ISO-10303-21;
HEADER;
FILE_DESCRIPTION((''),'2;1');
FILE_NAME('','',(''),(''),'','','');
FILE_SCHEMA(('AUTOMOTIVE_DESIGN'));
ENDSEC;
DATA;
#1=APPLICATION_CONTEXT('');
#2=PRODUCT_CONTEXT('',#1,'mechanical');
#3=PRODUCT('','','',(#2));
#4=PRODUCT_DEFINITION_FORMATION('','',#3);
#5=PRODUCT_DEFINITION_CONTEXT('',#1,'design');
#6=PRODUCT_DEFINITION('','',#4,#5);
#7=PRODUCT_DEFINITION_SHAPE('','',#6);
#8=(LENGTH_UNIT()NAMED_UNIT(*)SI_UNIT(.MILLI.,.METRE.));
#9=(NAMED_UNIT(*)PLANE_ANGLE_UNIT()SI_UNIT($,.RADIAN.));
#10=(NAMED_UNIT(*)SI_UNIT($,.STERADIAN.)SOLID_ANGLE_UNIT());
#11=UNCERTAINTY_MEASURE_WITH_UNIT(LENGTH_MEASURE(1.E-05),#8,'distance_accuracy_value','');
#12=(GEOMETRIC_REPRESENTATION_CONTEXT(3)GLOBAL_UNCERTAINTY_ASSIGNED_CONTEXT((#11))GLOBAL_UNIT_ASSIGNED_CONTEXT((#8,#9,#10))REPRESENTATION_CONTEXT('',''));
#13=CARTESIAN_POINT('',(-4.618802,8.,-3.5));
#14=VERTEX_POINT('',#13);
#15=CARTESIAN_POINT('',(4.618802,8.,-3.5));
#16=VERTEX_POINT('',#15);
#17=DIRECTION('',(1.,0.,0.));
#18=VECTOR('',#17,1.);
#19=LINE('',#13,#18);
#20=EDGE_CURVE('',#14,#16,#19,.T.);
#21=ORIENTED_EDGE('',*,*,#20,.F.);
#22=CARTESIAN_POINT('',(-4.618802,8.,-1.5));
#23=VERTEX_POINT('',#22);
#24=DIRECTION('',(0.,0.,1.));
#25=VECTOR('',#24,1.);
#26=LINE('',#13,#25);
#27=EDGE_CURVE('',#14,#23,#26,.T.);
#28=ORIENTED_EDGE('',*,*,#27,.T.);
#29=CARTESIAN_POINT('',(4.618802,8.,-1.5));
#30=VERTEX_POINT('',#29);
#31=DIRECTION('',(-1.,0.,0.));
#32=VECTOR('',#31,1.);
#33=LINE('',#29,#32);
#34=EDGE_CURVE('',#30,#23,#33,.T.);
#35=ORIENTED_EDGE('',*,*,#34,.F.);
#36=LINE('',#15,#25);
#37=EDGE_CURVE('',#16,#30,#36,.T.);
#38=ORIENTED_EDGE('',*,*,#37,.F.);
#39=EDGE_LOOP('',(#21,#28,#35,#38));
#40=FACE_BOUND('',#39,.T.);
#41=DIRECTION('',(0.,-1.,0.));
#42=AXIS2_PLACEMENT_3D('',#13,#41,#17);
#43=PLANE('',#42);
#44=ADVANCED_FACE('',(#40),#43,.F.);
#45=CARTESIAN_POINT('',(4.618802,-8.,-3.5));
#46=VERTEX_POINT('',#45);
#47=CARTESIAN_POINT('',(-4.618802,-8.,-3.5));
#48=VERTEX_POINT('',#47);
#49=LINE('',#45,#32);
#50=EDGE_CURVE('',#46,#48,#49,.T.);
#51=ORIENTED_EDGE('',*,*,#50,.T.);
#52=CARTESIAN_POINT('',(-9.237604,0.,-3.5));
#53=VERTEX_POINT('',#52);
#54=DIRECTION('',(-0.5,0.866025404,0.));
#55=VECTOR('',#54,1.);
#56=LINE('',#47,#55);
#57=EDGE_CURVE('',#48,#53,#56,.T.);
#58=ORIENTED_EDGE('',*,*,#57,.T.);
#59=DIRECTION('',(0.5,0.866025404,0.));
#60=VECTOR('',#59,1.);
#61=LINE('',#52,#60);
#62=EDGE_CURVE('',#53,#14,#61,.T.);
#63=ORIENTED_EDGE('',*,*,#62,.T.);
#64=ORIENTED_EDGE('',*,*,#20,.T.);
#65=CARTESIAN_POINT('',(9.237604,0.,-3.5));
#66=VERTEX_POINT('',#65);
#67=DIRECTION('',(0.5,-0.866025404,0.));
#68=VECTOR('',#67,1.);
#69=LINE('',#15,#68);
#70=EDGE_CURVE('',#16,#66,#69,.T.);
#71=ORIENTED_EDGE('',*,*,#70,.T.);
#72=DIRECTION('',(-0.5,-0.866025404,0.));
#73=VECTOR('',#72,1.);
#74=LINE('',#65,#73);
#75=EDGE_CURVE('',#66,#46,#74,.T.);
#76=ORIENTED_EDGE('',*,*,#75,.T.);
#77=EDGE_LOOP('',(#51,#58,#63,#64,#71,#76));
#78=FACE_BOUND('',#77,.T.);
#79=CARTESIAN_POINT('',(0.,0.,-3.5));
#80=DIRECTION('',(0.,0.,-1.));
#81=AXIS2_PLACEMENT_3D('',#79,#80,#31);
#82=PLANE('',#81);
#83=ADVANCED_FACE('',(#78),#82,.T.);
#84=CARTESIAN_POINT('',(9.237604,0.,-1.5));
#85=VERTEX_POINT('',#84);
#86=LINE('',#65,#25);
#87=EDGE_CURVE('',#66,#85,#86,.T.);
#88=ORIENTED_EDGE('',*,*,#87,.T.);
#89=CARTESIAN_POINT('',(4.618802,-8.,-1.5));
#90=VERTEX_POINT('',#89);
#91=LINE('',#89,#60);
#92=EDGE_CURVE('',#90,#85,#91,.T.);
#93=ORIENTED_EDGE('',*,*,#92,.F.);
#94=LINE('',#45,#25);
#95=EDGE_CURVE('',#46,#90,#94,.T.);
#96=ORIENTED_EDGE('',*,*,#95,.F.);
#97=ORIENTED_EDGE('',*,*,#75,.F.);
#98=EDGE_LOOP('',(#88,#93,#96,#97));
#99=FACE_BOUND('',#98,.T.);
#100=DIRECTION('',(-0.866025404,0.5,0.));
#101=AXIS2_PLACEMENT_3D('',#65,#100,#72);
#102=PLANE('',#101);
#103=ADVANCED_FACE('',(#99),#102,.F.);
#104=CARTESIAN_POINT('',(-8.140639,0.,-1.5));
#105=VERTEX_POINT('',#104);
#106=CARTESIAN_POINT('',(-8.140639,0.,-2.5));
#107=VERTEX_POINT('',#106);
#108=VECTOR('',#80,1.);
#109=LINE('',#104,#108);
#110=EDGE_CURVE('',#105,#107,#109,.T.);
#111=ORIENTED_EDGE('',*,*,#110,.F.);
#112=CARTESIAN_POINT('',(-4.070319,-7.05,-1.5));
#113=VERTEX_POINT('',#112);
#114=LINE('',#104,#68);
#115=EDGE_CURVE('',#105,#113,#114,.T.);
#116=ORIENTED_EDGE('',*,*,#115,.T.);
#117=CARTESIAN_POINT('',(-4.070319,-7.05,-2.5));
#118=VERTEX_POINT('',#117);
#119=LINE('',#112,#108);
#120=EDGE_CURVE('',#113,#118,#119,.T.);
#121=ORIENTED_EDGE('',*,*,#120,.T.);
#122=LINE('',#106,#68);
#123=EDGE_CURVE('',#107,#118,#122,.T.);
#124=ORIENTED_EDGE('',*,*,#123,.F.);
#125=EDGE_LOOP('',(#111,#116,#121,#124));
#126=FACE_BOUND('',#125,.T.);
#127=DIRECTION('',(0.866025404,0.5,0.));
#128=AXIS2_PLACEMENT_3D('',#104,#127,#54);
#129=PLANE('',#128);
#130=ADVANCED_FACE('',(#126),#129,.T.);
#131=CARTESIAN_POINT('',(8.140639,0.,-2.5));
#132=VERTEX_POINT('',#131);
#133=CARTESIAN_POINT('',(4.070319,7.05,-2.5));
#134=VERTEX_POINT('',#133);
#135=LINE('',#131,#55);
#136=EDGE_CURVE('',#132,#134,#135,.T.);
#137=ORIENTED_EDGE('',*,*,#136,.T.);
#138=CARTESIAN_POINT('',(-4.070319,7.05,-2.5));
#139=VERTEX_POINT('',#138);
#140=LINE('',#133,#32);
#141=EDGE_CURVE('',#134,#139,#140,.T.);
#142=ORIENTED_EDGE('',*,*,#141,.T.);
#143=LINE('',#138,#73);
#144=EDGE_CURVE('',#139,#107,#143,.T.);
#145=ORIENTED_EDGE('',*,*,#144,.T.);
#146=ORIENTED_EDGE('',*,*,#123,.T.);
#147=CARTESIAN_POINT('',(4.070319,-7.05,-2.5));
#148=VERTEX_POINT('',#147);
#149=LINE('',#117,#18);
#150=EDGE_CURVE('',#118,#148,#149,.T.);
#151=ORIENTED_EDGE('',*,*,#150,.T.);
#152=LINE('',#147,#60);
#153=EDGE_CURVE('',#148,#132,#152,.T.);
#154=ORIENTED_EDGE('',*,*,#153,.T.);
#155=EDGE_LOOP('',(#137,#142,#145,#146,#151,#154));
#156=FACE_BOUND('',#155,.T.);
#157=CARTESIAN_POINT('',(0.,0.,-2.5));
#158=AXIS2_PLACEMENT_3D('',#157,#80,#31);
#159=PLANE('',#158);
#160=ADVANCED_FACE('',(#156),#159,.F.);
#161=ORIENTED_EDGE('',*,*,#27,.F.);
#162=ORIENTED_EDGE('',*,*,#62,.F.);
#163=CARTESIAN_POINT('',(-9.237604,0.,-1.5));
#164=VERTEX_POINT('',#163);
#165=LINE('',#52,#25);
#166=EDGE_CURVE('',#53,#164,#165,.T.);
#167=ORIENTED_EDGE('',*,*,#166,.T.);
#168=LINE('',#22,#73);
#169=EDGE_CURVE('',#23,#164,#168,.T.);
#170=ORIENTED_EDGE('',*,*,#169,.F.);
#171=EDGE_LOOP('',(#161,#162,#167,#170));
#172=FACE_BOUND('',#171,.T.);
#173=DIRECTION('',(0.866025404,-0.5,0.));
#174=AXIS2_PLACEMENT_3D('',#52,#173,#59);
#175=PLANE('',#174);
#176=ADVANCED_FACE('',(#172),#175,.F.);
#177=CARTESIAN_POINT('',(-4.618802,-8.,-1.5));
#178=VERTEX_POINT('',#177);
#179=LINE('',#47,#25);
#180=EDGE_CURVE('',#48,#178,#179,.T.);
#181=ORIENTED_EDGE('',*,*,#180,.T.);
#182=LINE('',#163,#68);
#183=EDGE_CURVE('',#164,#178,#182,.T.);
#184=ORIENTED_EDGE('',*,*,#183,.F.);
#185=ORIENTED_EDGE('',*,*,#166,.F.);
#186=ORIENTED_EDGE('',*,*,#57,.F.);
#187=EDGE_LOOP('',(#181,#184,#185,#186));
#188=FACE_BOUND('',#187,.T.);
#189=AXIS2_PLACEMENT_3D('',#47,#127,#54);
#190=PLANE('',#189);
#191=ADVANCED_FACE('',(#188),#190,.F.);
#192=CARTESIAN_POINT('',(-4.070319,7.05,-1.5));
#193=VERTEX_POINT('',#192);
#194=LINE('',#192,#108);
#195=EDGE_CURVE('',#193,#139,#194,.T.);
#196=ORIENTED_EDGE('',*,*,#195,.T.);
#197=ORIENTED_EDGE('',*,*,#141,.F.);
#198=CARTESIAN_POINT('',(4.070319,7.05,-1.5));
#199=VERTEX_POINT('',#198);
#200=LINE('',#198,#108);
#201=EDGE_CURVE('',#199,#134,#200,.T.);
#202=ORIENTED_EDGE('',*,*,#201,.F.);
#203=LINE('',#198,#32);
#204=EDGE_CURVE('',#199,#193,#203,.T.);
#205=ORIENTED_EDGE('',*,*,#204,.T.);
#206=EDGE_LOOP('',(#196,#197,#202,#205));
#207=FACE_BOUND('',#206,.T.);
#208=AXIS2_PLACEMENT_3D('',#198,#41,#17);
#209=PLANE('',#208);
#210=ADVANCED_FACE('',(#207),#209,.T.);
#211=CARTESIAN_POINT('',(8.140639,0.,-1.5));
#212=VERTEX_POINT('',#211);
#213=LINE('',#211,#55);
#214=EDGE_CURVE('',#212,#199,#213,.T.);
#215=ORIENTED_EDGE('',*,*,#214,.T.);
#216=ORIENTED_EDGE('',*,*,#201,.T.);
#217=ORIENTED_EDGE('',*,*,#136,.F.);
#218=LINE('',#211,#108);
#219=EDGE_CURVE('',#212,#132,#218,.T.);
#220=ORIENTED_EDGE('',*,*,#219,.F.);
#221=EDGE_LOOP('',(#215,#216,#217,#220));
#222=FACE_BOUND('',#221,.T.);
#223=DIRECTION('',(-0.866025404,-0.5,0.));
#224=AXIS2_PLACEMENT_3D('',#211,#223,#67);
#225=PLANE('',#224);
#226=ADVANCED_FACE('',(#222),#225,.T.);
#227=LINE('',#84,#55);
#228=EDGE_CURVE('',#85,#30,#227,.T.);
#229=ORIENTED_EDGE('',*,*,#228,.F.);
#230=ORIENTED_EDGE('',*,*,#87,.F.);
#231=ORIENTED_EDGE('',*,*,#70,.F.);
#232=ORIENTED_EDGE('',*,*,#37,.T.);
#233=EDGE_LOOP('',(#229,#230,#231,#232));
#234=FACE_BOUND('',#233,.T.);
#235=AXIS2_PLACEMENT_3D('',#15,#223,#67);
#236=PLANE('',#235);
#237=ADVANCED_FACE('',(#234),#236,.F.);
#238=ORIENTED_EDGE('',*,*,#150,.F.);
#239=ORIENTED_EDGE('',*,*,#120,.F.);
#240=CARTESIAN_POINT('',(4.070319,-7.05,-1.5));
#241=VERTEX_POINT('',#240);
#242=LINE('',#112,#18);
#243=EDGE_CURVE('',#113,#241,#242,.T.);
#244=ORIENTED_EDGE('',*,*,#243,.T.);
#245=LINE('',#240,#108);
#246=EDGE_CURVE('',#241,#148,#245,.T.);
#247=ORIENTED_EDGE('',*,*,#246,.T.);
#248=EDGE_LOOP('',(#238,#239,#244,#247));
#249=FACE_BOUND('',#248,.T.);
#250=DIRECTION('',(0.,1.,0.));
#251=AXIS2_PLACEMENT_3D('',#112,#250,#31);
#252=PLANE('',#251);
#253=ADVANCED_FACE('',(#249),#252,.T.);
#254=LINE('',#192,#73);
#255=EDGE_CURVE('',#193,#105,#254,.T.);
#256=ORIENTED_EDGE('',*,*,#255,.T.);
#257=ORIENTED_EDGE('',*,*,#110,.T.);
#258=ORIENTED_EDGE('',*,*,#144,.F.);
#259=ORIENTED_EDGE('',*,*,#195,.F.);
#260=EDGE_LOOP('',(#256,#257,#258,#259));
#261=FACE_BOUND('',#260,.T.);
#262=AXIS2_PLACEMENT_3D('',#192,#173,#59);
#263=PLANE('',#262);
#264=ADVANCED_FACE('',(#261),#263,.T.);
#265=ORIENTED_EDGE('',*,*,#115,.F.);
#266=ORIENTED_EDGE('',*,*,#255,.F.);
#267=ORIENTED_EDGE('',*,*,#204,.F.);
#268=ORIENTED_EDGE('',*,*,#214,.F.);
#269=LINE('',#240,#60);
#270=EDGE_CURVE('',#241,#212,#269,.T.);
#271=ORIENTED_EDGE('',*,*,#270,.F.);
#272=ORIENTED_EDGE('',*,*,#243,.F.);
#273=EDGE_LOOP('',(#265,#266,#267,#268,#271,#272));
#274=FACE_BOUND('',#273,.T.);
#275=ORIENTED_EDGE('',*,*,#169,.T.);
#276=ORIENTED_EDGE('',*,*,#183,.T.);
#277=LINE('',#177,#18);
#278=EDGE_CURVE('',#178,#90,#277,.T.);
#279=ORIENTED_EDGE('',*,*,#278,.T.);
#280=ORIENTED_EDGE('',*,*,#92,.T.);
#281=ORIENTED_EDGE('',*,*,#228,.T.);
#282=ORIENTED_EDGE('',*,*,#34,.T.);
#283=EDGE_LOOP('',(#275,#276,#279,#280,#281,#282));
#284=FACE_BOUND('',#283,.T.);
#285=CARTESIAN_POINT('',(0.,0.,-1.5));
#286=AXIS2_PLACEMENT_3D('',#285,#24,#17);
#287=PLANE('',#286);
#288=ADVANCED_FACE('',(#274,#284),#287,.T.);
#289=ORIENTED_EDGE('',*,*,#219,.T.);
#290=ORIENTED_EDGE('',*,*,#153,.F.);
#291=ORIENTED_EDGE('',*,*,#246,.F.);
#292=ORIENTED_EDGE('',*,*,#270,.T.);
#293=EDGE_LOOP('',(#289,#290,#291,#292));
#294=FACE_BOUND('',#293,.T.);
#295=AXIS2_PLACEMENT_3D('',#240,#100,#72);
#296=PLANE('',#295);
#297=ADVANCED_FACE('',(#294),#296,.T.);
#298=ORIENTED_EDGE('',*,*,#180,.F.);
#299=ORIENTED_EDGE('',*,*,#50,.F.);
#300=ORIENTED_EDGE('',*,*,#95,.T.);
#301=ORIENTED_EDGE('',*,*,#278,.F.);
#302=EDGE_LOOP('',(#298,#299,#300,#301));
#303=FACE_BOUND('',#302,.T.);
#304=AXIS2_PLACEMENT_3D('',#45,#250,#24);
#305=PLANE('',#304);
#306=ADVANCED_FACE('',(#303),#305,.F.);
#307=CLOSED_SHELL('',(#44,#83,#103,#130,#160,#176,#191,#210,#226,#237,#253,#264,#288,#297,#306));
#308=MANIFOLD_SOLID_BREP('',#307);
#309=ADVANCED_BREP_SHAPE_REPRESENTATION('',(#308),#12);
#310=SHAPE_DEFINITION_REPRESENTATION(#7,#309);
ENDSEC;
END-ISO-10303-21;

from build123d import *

# Parameters (mm, degrees)
BOSS_EXTRUDE1_DEPTH      = 1
BOSS_EXTRUDE1_DEPTH_BACK = 2.5
BOSS_EXTRUDE2_DEPTH      = 2.5
BOSS_EXTRUDE3_DEPTH      = 1
BOSS_EXTRUDE4_DEPTH      = 1
CUT_EXTRUDE1_DEPTH       = 13.71154331


with BuildPart() as part:
    # Sketch1 → Boss-Extrude1 (new, two sides: drawn at the far end of the back side and taken through both)
    with BuildSketch(Plane.XY.offset(-BOSS_EXTRUDE1_DEPTH_BACK)):
        Polygon((8.082903769, 0), (4.041451884, 7), (-4.041451884, 7), (-8.082903769, 0), (-4.041451884, -7), (4.041451884, -7), align=None)
        Polygon((5.888972746, 0), (2.944486373, 5.1), (-2.944486373, 5.1), (-5.888972746, 0), (-2.944486373, -5.1), (2.944486373, -5.1), align=None, mode=Mode.SUBTRACT)
    extrude(amount=BOSS_EXTRUDE1_DEPTH + BOSS_EXTRUDE1_DEPTH_BACK)

    # Sketch3 → Boss-Extrude2 (add)
    with BuildSketch(Plane.XY):
        Polygon((5.888972746, 0), (2.944486373, 5.1), (-2.944486373, 5.1), (-5.888972746, 0), (-2.944486373, -5.1), (2.944486373, -5.1), align=None)
        Polygon((5.542562584, 0), (2.771281292, 4.8), (-2.771281292, 4.8), (-5.542562584, 0), (-2.771281292, -4.8), (2.771281292, -4.8), align=None, mode=Mode.SUBTRACT)
    extrude(amount=-BOSS_EXTRUDE2_DEPTH)

    # Sketch4 → Boss-Extrude3 (add)
    with BuildSketch(Plane(origin=(0, 0, -2.5), x_dir=(-1, 0, 0), z_dir=(0, 0, -1))):
        Polygon((9.237604307, 0), (4.618802154, 8), (-4.618802154, 8), (-9.237604307, 0), (-4.618802154, -8), (4.618802154, -8), align=None)
    extrude(amount=BOSS_EXTRUDE3_DEPTH)

    # Sketch5 → Boss-Extrude4 (add)
    with BuildSketch(Plane.XY.offset(-2.5)):
        Polygon((-4.618802154, 8), (-9.237604307, 0), (-4.618802154, -8), (4.618802154, -8), (9.237604307, 0), (4.618802154, 8), align=None)
        Polygon((-4.070319398, 7.05), (-8.140638796, 0), (-4.070319398, -7.05), (4.070319398, -7.05), (8.140638796, 0), (4.070319398, 7.05), align=None, mode=Mode.SUBTRACT)
    extrude(amount=BOSS_EXTRUDE4_DEPTH)

    # Sketch5<2> → Cut-Extrude1 (cut, through all)
    with BuildSketch(Plane.XY.offset(-2.5)):
        Polygon((4.041451884, -7), (8.082903769, 0), (4.041451884, 7), (-4.041451884, 7), (-8.082903769, 0), (-4.041451884, -7), align=None)
        Polygon((5.542562584, 0), (2.771281292, -4.8), (-2.771281292, -4.8), (-5.542562584, 0), (-2.771281292, 4.8), (2.771281292, 4.8), align=None, mode=Mode.SUBTRACT)
    extrude(amount=CUT_EXTRUDE1_DEPTH, mode=Mode.SUBTRACT)


solid = part.part
